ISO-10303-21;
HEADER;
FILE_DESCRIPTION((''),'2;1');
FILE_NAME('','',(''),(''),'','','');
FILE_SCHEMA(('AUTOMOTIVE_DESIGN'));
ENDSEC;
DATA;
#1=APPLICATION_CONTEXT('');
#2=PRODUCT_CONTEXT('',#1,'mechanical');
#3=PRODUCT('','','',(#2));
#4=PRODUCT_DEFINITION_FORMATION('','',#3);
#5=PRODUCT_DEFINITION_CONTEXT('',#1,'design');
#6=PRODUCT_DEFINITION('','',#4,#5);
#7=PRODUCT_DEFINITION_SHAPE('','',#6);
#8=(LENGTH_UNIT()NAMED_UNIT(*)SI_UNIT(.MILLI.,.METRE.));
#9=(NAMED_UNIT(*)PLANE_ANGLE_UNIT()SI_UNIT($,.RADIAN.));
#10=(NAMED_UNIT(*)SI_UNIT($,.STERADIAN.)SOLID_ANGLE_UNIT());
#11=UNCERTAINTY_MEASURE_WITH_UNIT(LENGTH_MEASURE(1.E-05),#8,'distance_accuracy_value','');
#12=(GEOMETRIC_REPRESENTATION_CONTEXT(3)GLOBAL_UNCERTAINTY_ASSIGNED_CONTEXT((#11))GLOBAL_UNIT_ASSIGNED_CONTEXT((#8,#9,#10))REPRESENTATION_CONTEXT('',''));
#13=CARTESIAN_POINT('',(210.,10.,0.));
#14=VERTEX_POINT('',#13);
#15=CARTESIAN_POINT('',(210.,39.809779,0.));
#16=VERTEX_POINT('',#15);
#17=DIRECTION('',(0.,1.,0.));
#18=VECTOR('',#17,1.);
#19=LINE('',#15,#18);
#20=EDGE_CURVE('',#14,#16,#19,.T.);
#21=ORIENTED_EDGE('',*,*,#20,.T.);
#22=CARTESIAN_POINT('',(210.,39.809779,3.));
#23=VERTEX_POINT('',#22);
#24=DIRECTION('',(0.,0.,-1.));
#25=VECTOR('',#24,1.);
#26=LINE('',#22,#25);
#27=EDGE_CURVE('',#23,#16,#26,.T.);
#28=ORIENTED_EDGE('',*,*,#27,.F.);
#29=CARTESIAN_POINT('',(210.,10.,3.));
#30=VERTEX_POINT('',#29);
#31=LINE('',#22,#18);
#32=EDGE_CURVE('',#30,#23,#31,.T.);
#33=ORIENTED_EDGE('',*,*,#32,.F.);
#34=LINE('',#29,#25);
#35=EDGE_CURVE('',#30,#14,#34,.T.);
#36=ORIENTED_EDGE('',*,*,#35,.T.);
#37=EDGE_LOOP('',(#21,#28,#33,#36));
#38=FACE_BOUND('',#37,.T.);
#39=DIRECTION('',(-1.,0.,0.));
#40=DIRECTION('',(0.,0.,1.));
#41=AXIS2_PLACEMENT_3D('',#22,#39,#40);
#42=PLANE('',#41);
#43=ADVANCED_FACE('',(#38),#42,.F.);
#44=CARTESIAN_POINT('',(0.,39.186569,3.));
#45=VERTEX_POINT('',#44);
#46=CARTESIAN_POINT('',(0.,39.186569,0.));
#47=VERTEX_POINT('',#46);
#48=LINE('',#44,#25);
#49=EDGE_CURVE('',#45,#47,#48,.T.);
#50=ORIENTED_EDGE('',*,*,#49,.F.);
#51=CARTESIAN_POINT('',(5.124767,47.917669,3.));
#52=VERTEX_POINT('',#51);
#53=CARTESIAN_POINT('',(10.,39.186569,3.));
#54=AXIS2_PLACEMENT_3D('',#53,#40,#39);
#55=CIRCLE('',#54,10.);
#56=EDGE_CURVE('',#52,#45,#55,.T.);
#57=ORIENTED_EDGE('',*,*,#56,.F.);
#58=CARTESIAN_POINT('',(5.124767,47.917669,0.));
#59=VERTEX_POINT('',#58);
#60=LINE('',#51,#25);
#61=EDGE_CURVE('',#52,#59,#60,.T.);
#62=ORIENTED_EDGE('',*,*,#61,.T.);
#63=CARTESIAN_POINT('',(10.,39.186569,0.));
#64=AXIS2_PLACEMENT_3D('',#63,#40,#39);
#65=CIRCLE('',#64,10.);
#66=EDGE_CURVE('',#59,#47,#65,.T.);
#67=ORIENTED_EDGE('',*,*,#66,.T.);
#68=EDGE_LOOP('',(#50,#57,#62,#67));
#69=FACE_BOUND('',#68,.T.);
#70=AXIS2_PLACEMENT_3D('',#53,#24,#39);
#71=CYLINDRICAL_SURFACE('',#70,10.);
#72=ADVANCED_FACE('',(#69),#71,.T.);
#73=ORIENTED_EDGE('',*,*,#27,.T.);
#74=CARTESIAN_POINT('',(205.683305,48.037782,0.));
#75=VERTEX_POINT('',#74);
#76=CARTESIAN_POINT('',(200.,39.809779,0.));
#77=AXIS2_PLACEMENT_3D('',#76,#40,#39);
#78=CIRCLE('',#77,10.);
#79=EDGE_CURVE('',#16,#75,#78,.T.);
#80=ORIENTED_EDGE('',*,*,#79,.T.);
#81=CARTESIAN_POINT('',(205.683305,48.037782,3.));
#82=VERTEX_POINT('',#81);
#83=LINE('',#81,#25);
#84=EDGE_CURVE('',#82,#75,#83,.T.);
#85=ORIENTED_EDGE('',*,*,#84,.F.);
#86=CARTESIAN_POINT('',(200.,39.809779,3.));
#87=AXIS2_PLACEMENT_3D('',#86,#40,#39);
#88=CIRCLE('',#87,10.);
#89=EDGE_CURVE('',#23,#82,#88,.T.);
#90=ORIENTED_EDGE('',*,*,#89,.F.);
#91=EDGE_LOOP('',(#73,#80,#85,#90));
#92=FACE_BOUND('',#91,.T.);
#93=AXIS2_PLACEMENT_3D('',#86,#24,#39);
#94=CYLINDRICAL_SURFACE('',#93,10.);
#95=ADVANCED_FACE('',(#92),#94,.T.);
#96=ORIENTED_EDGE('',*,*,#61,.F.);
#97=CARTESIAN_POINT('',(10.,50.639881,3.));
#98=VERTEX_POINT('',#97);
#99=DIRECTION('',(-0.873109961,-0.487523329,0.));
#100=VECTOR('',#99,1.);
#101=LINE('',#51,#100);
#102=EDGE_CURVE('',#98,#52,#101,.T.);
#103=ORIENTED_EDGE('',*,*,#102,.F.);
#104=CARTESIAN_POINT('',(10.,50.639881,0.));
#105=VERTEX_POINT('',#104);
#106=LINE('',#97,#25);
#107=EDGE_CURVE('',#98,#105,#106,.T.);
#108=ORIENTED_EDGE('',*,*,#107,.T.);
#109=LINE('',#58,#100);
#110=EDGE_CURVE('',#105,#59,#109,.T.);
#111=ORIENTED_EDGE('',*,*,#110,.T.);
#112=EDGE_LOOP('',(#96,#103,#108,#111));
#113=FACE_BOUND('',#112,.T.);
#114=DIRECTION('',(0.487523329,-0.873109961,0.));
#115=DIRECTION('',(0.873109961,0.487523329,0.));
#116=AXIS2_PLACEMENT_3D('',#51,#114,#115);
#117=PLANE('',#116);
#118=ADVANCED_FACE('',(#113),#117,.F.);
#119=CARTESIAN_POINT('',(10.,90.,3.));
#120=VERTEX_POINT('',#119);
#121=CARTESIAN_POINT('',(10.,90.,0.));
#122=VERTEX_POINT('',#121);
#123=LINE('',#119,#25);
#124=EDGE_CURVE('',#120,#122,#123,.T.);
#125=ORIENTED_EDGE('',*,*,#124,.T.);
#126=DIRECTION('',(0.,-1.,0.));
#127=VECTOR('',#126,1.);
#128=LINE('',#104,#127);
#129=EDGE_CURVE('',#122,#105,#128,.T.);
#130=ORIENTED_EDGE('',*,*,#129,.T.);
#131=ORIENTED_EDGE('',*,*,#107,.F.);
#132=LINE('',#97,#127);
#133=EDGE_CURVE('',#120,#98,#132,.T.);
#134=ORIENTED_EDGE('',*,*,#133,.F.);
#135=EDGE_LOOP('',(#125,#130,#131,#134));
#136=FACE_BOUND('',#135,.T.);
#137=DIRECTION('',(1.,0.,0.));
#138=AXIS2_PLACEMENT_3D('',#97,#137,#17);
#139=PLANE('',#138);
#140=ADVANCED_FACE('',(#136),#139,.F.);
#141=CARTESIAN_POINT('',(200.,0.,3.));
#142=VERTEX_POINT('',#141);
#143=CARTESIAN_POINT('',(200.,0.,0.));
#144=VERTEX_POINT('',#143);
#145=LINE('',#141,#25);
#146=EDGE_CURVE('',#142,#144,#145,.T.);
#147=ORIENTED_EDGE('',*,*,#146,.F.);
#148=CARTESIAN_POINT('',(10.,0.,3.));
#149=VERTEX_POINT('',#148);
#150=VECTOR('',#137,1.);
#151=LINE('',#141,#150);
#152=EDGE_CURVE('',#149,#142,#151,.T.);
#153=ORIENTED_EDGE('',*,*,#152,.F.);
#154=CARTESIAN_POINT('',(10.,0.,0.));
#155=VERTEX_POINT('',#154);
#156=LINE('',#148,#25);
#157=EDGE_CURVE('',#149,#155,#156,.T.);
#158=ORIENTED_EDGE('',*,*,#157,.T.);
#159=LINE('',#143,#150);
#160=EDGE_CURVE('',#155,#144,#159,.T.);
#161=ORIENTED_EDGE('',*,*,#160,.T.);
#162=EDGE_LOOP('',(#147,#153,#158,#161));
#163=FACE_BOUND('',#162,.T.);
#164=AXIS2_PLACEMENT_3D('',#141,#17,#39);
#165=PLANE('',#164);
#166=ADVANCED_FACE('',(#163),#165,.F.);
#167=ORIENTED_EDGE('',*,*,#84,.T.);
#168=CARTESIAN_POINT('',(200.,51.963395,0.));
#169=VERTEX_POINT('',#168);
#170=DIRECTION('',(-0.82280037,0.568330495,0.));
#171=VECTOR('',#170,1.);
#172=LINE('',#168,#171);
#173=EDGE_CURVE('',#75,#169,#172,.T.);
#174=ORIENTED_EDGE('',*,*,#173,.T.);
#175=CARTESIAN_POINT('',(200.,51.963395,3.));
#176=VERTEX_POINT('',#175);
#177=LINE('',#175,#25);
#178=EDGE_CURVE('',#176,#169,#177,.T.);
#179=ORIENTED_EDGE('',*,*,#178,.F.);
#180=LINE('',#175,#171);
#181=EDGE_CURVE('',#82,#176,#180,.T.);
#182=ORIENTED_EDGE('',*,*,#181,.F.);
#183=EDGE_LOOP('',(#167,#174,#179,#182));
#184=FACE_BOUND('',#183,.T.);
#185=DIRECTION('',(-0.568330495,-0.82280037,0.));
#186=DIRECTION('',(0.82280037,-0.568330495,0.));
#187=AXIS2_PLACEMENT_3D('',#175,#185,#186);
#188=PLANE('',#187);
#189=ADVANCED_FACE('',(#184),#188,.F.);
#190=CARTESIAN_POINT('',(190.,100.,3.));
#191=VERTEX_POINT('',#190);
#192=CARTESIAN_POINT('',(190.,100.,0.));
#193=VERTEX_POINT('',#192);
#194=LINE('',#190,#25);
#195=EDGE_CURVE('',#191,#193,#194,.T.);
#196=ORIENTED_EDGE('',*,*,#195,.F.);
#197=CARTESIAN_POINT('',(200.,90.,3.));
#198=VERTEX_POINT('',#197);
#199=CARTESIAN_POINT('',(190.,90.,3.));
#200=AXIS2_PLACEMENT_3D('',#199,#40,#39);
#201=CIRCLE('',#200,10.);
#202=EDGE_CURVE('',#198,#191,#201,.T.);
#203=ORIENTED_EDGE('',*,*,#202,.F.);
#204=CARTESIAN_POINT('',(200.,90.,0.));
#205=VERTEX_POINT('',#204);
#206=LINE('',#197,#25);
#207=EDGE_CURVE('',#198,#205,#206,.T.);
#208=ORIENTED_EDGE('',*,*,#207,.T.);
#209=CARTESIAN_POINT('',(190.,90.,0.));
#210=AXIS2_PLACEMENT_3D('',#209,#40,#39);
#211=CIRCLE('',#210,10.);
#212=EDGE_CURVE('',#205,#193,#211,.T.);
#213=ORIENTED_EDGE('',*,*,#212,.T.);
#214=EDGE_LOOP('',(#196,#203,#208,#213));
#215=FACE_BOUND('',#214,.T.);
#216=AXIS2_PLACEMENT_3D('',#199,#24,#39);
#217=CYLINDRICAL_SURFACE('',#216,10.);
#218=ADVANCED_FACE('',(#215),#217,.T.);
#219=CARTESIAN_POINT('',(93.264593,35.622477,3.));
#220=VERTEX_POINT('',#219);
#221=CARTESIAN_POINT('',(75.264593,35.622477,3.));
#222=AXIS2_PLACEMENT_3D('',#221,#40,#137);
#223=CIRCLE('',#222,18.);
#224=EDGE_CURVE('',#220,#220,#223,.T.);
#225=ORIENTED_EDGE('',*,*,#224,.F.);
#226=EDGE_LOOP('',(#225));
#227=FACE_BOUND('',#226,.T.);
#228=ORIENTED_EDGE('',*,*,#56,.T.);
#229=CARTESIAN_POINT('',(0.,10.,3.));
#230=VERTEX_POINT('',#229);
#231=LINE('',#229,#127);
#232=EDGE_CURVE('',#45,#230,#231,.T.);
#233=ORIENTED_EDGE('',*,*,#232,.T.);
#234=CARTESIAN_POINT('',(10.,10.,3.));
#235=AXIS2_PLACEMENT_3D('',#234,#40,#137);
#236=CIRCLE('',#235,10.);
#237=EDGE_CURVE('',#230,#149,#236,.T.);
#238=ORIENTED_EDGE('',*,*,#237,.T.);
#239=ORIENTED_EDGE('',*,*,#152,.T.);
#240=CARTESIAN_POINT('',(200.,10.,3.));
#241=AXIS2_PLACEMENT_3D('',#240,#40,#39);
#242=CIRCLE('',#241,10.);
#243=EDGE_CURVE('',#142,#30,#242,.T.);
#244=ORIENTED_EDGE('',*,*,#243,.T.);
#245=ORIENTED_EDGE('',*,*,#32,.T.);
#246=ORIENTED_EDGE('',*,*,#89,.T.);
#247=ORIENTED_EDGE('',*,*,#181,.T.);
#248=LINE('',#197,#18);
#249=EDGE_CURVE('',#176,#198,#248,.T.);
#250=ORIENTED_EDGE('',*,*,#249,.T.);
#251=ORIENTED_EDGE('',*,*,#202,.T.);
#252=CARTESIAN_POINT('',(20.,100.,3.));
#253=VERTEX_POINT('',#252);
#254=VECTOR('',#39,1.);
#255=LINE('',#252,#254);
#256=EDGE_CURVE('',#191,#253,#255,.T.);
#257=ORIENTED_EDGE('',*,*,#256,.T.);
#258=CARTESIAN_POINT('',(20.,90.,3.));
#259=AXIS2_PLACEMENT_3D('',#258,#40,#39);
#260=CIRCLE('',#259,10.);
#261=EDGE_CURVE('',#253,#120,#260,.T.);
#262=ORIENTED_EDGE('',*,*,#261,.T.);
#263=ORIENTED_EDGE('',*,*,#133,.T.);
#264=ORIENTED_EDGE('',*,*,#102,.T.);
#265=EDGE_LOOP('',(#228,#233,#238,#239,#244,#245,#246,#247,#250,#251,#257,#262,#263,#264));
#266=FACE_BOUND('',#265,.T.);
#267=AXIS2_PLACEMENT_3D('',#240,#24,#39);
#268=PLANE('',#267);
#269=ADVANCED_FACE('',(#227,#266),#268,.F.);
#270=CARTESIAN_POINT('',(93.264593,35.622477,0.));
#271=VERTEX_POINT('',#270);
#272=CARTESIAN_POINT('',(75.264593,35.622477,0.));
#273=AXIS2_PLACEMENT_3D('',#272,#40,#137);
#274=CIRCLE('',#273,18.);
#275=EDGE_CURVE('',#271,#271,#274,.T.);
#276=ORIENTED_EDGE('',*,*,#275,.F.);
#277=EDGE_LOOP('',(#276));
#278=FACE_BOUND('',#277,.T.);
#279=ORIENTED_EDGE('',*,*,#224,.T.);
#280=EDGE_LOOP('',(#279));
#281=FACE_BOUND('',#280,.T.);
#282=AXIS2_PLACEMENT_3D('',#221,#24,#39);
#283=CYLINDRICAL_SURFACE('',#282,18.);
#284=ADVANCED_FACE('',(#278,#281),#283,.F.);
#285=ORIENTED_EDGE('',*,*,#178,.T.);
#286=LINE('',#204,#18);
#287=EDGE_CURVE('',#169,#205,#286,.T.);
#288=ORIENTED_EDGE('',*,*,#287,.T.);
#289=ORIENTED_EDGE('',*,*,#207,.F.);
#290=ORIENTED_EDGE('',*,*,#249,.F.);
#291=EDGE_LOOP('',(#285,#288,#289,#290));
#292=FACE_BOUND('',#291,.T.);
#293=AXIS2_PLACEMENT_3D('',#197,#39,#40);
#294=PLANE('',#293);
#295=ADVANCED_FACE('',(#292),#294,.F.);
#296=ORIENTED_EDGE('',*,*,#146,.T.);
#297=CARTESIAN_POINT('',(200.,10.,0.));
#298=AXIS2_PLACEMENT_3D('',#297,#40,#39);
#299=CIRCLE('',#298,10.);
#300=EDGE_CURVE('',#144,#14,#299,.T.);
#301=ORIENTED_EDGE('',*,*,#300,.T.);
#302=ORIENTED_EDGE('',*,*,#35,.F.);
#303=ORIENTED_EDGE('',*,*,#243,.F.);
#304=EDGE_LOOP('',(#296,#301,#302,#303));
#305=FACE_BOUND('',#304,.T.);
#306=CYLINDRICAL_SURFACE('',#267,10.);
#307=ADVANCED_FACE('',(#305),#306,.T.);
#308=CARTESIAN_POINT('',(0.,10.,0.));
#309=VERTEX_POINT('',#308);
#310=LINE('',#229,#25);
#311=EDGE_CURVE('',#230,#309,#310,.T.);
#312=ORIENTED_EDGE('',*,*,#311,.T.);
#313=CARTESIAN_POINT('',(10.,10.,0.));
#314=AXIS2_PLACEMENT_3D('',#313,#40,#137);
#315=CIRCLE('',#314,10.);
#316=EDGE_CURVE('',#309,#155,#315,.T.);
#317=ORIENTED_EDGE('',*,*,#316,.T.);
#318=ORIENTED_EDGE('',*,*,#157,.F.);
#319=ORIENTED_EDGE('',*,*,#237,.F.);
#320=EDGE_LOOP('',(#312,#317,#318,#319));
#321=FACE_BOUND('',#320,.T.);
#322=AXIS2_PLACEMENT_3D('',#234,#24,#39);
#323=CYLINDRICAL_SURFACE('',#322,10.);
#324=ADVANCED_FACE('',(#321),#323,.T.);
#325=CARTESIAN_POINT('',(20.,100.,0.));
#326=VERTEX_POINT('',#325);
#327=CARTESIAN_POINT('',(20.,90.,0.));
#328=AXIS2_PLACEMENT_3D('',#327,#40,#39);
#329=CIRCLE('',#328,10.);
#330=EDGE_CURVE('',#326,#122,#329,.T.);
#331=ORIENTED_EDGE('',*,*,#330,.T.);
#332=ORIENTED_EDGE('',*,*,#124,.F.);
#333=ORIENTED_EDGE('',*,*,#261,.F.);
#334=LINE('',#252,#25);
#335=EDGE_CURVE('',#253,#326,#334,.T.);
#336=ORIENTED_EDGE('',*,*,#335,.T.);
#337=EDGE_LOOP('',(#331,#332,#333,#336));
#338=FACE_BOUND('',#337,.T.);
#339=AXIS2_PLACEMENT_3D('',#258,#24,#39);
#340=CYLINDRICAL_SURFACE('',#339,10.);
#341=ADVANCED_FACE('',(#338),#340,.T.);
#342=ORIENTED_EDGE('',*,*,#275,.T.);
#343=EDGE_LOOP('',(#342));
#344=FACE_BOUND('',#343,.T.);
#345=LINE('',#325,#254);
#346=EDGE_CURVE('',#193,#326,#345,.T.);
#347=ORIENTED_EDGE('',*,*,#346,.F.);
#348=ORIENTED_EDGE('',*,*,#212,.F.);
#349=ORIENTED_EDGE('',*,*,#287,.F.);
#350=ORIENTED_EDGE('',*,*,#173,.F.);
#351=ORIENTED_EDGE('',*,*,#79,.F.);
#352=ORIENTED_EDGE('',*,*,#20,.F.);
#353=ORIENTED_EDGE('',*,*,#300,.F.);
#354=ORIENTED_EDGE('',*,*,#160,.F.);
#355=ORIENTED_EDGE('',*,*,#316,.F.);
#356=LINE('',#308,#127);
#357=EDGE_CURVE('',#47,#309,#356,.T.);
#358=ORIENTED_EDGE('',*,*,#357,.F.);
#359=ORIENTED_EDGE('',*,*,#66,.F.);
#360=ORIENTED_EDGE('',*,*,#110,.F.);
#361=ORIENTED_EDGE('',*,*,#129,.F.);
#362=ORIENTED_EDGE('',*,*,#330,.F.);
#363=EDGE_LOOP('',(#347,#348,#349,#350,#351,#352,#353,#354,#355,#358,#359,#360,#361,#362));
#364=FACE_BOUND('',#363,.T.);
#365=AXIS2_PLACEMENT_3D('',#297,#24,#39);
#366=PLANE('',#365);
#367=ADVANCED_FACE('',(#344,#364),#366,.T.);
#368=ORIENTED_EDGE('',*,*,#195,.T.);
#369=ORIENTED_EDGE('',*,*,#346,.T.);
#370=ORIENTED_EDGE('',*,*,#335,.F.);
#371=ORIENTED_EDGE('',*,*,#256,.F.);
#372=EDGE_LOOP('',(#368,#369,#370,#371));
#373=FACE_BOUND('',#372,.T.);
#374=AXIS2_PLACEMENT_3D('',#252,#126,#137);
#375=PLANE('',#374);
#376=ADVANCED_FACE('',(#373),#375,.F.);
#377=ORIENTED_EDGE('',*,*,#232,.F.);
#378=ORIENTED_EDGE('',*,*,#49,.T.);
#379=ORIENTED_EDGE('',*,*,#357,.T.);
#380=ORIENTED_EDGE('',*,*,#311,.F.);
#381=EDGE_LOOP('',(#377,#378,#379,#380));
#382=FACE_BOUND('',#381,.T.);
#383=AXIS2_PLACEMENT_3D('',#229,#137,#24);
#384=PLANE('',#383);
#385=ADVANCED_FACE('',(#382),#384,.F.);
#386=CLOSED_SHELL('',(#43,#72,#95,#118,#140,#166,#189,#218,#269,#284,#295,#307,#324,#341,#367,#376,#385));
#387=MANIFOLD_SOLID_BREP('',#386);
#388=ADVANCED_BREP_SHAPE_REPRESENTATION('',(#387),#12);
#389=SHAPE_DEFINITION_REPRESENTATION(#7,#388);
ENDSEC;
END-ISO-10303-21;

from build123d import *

# Parameters (mm, degrees)
SKETCH_1_R      = 18
EXTRUDE_1_DEPTH = 3


with BuildPart() as part:
    # 草图1 → 凸台-拉伸1 (new body)
    with BuildSketch(Plane.XY):
        with BuildLine():
            Line((0, 10), (0, 39.186569494))
            ThreePointArc((0, 39.186569494), (1.375838219, 44.248568464), (5.124766715, 47.917669105))
            Line((5.124766715, 47.917669105), (10, 50.639880584))
            Line((10, 50.639880584), (10, 90))
            ThreePointArc((10, 90), (12.928932188, 97.071067812), (20, 100))
            Line((20, 100), (190, 100))
            ThreePointArc((190, 100), (197.071067812, 97.071067812), (200, 90))
            Line((200, 90), (200, 51.963395008))
            Line((200, 51.963395008), (205.683304945, 48.037782396))
            ThreePointArc((205.683304945, 48.037782396), (208.855310538, 44.455580593), (210, 39.809778695))
            Line((210, 39.809778695), (210, 10))
            ThreePointArc((210, 10), (207.071067812, 2.928932188), (200, 0))
            Line((200, 0), (10, 0))
            ThreePointArc((10, 0), (2.928932188, 2.928932188), (0, 10))
        make_face()
        with Locations((75.264593403, 35.622477185)):
            Circle(SKETCH_1_R, mode=Mode.SUBTRACT)
    extrude(amount=EXTRUDE_1_DEPTH)


solid = part.part
